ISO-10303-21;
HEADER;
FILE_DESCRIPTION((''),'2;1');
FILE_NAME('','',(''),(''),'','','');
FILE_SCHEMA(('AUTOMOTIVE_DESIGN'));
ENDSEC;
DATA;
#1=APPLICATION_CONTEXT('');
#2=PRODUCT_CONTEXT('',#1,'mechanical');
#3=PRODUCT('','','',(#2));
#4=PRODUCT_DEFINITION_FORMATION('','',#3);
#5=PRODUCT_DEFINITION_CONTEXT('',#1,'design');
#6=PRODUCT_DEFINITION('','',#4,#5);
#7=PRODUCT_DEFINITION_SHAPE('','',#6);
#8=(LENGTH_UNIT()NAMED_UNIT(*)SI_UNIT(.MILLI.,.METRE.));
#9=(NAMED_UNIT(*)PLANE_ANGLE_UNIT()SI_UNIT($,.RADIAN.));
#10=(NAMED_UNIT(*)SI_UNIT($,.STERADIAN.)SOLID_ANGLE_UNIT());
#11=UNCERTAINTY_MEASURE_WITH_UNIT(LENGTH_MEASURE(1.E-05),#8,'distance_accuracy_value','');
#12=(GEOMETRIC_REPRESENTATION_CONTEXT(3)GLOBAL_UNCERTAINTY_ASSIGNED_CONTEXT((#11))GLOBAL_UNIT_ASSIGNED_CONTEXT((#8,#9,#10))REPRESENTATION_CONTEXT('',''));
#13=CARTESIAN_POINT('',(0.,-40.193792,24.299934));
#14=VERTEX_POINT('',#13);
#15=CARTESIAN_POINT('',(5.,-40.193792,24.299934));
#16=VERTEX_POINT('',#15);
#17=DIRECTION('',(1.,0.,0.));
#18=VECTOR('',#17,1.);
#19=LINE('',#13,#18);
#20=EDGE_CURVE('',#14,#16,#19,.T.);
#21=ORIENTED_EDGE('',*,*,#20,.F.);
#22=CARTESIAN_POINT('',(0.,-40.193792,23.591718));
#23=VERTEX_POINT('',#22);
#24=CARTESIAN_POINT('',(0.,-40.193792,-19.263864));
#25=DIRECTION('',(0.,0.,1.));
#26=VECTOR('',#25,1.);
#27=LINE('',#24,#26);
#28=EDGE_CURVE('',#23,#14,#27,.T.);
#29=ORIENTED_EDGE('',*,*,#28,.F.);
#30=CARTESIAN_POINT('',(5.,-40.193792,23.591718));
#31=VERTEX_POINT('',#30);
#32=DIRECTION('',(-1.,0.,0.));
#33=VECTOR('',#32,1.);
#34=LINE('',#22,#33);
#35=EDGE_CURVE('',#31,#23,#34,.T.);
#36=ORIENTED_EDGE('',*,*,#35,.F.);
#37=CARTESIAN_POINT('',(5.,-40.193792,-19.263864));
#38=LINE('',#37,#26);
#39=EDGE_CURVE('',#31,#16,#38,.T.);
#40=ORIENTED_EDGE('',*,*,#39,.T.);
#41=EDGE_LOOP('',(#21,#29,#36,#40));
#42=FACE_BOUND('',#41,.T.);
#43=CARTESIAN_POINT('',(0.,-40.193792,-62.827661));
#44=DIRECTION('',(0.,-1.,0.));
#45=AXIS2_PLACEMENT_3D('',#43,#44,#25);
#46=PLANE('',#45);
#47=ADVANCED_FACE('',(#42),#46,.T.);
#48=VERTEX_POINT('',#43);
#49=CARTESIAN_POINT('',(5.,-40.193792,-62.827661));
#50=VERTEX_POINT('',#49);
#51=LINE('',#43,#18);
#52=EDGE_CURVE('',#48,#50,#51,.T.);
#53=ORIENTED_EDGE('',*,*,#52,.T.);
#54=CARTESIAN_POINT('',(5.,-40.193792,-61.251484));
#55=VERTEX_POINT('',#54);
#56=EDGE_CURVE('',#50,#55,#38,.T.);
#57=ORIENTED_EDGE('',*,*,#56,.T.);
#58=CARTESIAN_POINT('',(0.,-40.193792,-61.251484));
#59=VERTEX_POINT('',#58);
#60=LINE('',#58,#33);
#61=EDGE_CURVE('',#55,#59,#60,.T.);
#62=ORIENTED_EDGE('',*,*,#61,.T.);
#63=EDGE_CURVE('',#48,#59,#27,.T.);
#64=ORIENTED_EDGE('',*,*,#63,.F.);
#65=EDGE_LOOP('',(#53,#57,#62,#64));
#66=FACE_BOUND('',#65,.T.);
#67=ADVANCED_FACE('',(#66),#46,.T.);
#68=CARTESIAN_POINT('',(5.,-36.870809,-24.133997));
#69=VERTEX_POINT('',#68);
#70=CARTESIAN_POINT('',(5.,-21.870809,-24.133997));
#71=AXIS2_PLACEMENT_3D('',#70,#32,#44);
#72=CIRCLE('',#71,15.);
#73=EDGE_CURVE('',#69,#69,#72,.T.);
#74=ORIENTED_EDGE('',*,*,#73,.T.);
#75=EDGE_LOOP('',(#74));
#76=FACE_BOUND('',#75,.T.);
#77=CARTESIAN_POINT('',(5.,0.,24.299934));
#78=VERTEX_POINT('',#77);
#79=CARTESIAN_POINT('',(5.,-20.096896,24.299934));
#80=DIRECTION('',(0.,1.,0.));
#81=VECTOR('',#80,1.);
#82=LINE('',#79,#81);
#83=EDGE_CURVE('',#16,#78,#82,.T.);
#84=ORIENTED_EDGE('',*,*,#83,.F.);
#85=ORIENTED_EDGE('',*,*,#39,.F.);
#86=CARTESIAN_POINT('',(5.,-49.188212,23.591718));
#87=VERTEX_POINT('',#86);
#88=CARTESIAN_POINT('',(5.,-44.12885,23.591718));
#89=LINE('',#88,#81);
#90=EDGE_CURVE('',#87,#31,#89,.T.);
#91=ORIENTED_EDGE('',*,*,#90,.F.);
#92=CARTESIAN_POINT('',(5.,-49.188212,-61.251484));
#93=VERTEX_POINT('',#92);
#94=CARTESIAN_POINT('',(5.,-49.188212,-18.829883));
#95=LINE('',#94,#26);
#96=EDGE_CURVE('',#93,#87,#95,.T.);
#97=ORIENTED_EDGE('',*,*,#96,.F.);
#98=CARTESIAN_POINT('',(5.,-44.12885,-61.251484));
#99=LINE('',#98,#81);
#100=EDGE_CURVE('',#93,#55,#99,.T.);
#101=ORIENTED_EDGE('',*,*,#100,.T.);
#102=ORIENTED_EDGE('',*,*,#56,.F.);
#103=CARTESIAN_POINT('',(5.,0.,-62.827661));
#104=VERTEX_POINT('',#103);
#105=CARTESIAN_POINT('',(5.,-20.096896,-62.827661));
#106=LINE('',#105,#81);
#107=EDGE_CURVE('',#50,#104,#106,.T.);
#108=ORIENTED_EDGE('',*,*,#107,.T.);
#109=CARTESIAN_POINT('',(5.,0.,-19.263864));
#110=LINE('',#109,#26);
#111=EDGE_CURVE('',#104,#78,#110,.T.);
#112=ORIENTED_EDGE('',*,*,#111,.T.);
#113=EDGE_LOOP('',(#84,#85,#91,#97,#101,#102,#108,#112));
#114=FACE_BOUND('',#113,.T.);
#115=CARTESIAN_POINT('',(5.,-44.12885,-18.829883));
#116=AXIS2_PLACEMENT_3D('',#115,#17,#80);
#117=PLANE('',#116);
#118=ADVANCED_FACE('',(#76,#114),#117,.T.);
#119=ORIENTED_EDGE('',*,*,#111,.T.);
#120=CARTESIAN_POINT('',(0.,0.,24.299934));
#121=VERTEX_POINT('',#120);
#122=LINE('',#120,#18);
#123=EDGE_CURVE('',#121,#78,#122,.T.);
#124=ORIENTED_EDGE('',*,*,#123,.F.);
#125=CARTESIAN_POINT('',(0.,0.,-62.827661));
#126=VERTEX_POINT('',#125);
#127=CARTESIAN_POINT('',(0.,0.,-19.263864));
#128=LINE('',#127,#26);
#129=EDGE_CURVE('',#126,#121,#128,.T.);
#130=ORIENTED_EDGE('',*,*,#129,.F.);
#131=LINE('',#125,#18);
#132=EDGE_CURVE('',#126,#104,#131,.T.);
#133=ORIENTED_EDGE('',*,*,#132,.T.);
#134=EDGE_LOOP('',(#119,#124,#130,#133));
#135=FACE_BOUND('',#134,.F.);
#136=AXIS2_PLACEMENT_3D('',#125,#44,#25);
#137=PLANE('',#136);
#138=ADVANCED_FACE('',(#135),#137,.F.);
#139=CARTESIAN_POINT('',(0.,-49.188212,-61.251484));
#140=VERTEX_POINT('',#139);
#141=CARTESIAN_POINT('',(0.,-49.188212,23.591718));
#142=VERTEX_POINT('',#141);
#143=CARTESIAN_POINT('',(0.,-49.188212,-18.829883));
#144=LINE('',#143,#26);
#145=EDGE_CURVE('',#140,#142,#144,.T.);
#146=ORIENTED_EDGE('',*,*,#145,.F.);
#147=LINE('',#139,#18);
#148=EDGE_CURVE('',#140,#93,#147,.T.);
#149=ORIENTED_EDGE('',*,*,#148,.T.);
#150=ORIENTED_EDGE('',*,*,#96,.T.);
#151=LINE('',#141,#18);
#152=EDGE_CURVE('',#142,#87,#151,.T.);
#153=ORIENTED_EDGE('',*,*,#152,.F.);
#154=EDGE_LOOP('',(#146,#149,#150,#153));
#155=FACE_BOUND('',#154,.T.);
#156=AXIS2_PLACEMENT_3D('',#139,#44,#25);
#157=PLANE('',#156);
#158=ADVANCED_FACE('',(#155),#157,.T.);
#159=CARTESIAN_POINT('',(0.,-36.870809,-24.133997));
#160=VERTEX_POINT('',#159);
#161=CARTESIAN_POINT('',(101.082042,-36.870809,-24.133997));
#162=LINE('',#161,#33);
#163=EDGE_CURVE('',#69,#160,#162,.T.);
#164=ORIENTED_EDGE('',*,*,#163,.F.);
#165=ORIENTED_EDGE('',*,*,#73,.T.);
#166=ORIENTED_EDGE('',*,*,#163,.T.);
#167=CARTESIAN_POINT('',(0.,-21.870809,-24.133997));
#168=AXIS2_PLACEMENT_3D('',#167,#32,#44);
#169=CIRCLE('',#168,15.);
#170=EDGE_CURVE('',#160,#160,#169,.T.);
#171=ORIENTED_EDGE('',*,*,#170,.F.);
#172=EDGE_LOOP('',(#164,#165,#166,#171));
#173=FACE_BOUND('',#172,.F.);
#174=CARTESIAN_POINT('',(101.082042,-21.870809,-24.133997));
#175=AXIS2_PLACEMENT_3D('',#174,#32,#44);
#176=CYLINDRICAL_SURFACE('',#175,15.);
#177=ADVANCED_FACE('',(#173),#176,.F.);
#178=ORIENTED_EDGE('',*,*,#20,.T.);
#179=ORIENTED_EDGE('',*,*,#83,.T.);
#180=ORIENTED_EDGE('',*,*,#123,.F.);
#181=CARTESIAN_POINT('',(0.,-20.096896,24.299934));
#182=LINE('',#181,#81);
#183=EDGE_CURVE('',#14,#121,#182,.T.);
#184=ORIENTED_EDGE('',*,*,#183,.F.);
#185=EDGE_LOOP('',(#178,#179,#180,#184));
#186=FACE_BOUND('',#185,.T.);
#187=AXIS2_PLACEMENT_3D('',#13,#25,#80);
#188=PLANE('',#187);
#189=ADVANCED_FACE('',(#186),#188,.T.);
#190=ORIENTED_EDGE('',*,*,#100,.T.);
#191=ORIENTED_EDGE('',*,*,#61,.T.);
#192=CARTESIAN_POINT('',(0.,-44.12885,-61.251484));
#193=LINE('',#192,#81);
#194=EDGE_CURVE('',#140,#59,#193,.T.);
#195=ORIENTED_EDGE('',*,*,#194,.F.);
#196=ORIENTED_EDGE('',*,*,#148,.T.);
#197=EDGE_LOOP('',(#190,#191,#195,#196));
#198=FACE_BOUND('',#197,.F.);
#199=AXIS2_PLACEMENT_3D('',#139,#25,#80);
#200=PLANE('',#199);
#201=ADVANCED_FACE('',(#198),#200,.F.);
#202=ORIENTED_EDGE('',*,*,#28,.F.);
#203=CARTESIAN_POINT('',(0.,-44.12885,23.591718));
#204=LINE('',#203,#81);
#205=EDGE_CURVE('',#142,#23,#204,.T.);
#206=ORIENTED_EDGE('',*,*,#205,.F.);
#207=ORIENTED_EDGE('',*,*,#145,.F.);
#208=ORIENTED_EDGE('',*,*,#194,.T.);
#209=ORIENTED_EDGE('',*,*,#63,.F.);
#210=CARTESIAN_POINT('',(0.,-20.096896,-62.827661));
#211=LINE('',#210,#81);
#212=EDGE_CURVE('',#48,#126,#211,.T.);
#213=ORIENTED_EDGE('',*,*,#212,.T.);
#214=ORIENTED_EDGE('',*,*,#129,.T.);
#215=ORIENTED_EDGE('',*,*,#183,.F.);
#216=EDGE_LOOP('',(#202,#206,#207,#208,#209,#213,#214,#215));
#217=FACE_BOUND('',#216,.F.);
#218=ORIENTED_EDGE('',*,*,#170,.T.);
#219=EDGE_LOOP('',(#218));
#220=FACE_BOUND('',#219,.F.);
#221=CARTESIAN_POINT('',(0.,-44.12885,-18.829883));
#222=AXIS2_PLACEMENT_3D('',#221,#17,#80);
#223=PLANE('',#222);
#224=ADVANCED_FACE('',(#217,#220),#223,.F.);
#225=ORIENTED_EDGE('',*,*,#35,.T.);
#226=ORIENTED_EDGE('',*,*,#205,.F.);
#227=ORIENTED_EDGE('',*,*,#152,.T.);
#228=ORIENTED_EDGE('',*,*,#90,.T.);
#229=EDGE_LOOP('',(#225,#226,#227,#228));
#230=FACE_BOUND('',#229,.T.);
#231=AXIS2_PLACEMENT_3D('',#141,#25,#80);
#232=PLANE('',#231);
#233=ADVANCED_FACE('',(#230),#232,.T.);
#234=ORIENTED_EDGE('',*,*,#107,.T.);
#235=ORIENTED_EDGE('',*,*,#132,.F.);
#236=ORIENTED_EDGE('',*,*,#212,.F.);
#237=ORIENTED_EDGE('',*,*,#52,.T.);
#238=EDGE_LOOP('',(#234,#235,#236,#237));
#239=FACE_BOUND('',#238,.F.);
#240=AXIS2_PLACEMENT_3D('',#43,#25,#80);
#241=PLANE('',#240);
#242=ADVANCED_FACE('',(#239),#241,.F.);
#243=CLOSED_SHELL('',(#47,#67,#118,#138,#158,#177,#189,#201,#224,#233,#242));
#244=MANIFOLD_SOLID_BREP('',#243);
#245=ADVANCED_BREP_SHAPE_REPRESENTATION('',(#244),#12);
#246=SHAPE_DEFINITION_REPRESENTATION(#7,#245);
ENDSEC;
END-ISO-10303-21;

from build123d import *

# Parameters (mm, degrees)
F0_W     = 40.193792
F0_H     = 87.127595
F1_DEPTH = 5
F3_D     = 30
F4_W     = 10.118723
F4_H     = 84.843202
F5_DEPTH = 5


with BuildPart() as f1:
    # F0 (on Right) → F1 (new body)
    with BuildSketch(Plane.YZ):
        with Locations((-20.096896, -19.263864)):
            Rectangle(F0_W, F0_H)
    extrude(amount=F1_DEPTH)

    # F3 (through all)
    with Locations(Plane.YZ.offset(5)):
        with Locations((-21.870809, -24.133997)):
            Hole(F3_D / 2)

    # F4 (on Right) → F5 (join)
    with BuildSketch(Plane.YZ):
        with Locations((-44.12885, -18.829883)):
            Rectangle(F4_W, F4_H)
    extrude(amount=F5_DEPTH)


solid = f1.part
